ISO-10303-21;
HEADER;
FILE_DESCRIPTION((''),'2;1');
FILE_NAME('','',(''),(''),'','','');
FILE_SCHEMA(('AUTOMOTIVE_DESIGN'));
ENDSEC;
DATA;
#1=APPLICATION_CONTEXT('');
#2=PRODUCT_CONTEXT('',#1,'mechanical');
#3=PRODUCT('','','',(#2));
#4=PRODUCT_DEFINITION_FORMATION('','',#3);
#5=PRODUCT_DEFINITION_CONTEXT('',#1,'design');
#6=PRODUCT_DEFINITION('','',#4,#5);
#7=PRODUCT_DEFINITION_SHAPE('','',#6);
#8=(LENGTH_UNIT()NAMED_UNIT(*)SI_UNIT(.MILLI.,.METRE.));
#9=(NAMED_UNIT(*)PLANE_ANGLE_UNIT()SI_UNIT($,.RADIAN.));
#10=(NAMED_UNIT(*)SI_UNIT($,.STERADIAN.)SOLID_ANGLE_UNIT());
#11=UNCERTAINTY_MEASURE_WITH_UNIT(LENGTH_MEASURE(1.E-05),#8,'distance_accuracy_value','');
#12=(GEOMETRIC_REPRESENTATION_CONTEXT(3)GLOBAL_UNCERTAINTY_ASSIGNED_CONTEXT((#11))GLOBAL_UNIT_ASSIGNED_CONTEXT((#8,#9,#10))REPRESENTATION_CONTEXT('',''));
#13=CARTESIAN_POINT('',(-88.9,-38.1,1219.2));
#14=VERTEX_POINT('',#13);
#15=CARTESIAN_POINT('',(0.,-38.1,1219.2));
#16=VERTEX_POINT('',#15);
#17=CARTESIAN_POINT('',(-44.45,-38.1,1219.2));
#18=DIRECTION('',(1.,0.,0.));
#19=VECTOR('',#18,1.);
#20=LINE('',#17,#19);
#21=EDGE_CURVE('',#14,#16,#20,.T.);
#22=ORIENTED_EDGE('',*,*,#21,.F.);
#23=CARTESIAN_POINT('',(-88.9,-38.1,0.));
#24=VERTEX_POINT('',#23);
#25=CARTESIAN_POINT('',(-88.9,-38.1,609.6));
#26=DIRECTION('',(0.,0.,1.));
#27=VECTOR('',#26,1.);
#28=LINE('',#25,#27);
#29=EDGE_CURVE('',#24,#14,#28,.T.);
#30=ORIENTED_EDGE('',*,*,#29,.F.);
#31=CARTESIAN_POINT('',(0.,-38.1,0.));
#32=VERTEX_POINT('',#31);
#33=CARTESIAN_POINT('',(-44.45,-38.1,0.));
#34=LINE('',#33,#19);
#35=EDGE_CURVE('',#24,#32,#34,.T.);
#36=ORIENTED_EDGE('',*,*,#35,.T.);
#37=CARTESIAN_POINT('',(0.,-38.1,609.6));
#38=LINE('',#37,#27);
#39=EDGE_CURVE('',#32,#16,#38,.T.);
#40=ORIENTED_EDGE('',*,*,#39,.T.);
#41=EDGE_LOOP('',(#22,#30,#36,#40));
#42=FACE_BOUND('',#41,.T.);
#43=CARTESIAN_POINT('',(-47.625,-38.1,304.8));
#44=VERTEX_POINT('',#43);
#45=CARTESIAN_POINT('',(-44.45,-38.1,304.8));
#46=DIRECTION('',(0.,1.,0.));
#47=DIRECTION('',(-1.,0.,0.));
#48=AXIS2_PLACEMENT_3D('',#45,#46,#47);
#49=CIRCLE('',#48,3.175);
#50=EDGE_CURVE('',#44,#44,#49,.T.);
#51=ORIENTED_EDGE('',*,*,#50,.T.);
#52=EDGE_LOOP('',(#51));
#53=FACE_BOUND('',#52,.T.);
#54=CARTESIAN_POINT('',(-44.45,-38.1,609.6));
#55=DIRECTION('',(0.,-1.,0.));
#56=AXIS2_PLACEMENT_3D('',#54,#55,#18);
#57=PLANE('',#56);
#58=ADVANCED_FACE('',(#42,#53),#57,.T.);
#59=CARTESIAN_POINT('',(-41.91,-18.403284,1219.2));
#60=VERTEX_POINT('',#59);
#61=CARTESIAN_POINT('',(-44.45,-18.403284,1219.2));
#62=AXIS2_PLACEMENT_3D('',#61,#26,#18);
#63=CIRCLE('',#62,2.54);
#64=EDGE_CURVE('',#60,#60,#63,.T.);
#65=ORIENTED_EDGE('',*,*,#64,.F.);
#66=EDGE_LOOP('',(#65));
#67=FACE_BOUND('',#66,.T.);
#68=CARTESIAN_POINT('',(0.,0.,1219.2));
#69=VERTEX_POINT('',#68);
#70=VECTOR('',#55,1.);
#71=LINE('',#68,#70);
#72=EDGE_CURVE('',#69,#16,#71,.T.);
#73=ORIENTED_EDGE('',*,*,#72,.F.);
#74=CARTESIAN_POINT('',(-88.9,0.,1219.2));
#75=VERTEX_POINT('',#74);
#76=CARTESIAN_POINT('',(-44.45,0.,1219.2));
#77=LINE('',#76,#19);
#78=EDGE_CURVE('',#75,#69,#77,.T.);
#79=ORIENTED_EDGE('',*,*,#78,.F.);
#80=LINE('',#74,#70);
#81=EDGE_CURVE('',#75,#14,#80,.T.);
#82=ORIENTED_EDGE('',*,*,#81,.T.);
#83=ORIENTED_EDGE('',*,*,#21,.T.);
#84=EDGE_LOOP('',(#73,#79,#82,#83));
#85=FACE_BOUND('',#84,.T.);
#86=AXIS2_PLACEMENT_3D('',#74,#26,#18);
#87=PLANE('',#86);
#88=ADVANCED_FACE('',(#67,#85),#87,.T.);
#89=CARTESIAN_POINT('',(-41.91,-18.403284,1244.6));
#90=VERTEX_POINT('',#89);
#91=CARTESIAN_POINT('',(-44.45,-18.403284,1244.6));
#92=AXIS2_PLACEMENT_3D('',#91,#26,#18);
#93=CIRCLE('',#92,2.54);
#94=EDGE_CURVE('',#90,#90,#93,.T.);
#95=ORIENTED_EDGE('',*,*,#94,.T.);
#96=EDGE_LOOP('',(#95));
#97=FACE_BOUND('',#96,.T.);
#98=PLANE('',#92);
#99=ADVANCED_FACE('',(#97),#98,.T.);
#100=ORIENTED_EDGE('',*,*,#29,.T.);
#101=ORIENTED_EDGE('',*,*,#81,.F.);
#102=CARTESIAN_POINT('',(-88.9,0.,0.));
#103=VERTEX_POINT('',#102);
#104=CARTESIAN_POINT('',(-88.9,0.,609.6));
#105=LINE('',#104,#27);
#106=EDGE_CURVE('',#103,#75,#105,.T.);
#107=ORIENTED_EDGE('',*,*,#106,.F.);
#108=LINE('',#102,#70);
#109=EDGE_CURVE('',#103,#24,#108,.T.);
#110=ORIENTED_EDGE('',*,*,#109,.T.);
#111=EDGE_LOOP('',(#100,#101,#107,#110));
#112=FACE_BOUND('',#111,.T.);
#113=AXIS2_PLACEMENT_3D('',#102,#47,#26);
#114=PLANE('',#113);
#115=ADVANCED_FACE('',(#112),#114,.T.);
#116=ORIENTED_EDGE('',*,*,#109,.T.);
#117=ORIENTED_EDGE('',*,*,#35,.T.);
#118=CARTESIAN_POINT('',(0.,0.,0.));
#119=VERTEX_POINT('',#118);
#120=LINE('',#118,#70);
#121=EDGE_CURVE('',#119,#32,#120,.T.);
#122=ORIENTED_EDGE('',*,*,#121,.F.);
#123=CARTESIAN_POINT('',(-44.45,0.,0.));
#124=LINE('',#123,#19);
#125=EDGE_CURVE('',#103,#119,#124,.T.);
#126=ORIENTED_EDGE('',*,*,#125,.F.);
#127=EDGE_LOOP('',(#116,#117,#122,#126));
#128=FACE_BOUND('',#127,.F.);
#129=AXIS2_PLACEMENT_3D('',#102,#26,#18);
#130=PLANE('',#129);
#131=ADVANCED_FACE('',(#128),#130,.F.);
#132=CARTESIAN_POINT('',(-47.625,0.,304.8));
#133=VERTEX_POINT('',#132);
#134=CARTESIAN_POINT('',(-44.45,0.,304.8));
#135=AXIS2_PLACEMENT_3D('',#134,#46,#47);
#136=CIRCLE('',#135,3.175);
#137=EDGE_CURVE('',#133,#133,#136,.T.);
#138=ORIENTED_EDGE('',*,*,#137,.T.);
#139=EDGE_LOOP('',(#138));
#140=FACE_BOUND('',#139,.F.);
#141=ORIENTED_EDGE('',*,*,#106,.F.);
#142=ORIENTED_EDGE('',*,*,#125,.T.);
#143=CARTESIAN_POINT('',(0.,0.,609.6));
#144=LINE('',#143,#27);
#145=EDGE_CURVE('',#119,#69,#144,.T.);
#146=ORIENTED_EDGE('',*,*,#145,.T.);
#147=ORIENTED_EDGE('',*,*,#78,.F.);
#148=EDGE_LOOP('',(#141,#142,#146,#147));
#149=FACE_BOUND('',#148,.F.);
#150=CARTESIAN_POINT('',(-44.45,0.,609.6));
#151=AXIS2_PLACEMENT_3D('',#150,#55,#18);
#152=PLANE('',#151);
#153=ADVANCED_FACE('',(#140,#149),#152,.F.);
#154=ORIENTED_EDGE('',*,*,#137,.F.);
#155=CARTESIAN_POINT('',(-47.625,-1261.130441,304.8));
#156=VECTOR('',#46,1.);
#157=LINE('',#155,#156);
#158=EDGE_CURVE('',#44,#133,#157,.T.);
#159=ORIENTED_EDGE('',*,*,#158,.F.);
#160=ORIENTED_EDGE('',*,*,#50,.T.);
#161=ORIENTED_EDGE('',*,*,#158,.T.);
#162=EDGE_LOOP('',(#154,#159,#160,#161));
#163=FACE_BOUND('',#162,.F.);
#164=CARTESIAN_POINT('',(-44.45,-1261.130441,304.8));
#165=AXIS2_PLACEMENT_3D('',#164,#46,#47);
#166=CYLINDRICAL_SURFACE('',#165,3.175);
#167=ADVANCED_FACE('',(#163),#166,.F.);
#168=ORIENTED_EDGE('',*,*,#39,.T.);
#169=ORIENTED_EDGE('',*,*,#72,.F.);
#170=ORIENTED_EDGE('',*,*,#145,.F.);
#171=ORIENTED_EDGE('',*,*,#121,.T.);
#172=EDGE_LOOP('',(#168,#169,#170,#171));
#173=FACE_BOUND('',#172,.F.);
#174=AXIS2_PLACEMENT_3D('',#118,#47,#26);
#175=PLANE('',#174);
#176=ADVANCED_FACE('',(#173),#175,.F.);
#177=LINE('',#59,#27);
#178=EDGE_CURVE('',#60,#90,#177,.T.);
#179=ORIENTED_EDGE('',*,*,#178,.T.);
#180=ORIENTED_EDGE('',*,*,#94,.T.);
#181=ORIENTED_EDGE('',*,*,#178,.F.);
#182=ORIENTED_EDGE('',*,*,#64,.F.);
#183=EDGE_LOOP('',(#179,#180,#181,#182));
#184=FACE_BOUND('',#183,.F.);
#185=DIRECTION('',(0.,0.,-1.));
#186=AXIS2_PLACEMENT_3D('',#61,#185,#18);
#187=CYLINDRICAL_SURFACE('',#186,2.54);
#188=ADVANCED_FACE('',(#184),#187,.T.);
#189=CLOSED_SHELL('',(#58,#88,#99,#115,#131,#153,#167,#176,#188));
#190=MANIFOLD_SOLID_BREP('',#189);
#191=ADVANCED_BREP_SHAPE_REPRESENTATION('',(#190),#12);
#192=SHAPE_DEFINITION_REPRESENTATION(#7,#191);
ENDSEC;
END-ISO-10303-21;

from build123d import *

# Parameters (mm, degrees)
F0_W     = 88.9
F0_H     = 1219.2
F1_DEPTH = 38.1
F3_D     = 6.35
F4_R     = 2.54
F5_DEPTH = 25.4


with BuildPart() as f1:
    # F0 (on Front) → F1 (new body)
    with BuildSketch(Plane.XZ):
        with Locations((-44.45, 609.6)):
            Rectangle(F0_W, F0_H)
    extrude(amount=F1_DEPTH)

    # F3 (through all)
    with Locations(Plane.XZ.offset(38.1)):
        with Locations((-44.45, 304.8)):
            Hole(F3_D / 2)

    # F4 (on face) → F5 (join)
    with BuildSketch(Plane.XY.offset(1219.2)):
        with Locations((-44.45, -18.403284)):
            Circle(F4_R)
    extrude(amount=F5_DEPTH)


solid = f1.part
